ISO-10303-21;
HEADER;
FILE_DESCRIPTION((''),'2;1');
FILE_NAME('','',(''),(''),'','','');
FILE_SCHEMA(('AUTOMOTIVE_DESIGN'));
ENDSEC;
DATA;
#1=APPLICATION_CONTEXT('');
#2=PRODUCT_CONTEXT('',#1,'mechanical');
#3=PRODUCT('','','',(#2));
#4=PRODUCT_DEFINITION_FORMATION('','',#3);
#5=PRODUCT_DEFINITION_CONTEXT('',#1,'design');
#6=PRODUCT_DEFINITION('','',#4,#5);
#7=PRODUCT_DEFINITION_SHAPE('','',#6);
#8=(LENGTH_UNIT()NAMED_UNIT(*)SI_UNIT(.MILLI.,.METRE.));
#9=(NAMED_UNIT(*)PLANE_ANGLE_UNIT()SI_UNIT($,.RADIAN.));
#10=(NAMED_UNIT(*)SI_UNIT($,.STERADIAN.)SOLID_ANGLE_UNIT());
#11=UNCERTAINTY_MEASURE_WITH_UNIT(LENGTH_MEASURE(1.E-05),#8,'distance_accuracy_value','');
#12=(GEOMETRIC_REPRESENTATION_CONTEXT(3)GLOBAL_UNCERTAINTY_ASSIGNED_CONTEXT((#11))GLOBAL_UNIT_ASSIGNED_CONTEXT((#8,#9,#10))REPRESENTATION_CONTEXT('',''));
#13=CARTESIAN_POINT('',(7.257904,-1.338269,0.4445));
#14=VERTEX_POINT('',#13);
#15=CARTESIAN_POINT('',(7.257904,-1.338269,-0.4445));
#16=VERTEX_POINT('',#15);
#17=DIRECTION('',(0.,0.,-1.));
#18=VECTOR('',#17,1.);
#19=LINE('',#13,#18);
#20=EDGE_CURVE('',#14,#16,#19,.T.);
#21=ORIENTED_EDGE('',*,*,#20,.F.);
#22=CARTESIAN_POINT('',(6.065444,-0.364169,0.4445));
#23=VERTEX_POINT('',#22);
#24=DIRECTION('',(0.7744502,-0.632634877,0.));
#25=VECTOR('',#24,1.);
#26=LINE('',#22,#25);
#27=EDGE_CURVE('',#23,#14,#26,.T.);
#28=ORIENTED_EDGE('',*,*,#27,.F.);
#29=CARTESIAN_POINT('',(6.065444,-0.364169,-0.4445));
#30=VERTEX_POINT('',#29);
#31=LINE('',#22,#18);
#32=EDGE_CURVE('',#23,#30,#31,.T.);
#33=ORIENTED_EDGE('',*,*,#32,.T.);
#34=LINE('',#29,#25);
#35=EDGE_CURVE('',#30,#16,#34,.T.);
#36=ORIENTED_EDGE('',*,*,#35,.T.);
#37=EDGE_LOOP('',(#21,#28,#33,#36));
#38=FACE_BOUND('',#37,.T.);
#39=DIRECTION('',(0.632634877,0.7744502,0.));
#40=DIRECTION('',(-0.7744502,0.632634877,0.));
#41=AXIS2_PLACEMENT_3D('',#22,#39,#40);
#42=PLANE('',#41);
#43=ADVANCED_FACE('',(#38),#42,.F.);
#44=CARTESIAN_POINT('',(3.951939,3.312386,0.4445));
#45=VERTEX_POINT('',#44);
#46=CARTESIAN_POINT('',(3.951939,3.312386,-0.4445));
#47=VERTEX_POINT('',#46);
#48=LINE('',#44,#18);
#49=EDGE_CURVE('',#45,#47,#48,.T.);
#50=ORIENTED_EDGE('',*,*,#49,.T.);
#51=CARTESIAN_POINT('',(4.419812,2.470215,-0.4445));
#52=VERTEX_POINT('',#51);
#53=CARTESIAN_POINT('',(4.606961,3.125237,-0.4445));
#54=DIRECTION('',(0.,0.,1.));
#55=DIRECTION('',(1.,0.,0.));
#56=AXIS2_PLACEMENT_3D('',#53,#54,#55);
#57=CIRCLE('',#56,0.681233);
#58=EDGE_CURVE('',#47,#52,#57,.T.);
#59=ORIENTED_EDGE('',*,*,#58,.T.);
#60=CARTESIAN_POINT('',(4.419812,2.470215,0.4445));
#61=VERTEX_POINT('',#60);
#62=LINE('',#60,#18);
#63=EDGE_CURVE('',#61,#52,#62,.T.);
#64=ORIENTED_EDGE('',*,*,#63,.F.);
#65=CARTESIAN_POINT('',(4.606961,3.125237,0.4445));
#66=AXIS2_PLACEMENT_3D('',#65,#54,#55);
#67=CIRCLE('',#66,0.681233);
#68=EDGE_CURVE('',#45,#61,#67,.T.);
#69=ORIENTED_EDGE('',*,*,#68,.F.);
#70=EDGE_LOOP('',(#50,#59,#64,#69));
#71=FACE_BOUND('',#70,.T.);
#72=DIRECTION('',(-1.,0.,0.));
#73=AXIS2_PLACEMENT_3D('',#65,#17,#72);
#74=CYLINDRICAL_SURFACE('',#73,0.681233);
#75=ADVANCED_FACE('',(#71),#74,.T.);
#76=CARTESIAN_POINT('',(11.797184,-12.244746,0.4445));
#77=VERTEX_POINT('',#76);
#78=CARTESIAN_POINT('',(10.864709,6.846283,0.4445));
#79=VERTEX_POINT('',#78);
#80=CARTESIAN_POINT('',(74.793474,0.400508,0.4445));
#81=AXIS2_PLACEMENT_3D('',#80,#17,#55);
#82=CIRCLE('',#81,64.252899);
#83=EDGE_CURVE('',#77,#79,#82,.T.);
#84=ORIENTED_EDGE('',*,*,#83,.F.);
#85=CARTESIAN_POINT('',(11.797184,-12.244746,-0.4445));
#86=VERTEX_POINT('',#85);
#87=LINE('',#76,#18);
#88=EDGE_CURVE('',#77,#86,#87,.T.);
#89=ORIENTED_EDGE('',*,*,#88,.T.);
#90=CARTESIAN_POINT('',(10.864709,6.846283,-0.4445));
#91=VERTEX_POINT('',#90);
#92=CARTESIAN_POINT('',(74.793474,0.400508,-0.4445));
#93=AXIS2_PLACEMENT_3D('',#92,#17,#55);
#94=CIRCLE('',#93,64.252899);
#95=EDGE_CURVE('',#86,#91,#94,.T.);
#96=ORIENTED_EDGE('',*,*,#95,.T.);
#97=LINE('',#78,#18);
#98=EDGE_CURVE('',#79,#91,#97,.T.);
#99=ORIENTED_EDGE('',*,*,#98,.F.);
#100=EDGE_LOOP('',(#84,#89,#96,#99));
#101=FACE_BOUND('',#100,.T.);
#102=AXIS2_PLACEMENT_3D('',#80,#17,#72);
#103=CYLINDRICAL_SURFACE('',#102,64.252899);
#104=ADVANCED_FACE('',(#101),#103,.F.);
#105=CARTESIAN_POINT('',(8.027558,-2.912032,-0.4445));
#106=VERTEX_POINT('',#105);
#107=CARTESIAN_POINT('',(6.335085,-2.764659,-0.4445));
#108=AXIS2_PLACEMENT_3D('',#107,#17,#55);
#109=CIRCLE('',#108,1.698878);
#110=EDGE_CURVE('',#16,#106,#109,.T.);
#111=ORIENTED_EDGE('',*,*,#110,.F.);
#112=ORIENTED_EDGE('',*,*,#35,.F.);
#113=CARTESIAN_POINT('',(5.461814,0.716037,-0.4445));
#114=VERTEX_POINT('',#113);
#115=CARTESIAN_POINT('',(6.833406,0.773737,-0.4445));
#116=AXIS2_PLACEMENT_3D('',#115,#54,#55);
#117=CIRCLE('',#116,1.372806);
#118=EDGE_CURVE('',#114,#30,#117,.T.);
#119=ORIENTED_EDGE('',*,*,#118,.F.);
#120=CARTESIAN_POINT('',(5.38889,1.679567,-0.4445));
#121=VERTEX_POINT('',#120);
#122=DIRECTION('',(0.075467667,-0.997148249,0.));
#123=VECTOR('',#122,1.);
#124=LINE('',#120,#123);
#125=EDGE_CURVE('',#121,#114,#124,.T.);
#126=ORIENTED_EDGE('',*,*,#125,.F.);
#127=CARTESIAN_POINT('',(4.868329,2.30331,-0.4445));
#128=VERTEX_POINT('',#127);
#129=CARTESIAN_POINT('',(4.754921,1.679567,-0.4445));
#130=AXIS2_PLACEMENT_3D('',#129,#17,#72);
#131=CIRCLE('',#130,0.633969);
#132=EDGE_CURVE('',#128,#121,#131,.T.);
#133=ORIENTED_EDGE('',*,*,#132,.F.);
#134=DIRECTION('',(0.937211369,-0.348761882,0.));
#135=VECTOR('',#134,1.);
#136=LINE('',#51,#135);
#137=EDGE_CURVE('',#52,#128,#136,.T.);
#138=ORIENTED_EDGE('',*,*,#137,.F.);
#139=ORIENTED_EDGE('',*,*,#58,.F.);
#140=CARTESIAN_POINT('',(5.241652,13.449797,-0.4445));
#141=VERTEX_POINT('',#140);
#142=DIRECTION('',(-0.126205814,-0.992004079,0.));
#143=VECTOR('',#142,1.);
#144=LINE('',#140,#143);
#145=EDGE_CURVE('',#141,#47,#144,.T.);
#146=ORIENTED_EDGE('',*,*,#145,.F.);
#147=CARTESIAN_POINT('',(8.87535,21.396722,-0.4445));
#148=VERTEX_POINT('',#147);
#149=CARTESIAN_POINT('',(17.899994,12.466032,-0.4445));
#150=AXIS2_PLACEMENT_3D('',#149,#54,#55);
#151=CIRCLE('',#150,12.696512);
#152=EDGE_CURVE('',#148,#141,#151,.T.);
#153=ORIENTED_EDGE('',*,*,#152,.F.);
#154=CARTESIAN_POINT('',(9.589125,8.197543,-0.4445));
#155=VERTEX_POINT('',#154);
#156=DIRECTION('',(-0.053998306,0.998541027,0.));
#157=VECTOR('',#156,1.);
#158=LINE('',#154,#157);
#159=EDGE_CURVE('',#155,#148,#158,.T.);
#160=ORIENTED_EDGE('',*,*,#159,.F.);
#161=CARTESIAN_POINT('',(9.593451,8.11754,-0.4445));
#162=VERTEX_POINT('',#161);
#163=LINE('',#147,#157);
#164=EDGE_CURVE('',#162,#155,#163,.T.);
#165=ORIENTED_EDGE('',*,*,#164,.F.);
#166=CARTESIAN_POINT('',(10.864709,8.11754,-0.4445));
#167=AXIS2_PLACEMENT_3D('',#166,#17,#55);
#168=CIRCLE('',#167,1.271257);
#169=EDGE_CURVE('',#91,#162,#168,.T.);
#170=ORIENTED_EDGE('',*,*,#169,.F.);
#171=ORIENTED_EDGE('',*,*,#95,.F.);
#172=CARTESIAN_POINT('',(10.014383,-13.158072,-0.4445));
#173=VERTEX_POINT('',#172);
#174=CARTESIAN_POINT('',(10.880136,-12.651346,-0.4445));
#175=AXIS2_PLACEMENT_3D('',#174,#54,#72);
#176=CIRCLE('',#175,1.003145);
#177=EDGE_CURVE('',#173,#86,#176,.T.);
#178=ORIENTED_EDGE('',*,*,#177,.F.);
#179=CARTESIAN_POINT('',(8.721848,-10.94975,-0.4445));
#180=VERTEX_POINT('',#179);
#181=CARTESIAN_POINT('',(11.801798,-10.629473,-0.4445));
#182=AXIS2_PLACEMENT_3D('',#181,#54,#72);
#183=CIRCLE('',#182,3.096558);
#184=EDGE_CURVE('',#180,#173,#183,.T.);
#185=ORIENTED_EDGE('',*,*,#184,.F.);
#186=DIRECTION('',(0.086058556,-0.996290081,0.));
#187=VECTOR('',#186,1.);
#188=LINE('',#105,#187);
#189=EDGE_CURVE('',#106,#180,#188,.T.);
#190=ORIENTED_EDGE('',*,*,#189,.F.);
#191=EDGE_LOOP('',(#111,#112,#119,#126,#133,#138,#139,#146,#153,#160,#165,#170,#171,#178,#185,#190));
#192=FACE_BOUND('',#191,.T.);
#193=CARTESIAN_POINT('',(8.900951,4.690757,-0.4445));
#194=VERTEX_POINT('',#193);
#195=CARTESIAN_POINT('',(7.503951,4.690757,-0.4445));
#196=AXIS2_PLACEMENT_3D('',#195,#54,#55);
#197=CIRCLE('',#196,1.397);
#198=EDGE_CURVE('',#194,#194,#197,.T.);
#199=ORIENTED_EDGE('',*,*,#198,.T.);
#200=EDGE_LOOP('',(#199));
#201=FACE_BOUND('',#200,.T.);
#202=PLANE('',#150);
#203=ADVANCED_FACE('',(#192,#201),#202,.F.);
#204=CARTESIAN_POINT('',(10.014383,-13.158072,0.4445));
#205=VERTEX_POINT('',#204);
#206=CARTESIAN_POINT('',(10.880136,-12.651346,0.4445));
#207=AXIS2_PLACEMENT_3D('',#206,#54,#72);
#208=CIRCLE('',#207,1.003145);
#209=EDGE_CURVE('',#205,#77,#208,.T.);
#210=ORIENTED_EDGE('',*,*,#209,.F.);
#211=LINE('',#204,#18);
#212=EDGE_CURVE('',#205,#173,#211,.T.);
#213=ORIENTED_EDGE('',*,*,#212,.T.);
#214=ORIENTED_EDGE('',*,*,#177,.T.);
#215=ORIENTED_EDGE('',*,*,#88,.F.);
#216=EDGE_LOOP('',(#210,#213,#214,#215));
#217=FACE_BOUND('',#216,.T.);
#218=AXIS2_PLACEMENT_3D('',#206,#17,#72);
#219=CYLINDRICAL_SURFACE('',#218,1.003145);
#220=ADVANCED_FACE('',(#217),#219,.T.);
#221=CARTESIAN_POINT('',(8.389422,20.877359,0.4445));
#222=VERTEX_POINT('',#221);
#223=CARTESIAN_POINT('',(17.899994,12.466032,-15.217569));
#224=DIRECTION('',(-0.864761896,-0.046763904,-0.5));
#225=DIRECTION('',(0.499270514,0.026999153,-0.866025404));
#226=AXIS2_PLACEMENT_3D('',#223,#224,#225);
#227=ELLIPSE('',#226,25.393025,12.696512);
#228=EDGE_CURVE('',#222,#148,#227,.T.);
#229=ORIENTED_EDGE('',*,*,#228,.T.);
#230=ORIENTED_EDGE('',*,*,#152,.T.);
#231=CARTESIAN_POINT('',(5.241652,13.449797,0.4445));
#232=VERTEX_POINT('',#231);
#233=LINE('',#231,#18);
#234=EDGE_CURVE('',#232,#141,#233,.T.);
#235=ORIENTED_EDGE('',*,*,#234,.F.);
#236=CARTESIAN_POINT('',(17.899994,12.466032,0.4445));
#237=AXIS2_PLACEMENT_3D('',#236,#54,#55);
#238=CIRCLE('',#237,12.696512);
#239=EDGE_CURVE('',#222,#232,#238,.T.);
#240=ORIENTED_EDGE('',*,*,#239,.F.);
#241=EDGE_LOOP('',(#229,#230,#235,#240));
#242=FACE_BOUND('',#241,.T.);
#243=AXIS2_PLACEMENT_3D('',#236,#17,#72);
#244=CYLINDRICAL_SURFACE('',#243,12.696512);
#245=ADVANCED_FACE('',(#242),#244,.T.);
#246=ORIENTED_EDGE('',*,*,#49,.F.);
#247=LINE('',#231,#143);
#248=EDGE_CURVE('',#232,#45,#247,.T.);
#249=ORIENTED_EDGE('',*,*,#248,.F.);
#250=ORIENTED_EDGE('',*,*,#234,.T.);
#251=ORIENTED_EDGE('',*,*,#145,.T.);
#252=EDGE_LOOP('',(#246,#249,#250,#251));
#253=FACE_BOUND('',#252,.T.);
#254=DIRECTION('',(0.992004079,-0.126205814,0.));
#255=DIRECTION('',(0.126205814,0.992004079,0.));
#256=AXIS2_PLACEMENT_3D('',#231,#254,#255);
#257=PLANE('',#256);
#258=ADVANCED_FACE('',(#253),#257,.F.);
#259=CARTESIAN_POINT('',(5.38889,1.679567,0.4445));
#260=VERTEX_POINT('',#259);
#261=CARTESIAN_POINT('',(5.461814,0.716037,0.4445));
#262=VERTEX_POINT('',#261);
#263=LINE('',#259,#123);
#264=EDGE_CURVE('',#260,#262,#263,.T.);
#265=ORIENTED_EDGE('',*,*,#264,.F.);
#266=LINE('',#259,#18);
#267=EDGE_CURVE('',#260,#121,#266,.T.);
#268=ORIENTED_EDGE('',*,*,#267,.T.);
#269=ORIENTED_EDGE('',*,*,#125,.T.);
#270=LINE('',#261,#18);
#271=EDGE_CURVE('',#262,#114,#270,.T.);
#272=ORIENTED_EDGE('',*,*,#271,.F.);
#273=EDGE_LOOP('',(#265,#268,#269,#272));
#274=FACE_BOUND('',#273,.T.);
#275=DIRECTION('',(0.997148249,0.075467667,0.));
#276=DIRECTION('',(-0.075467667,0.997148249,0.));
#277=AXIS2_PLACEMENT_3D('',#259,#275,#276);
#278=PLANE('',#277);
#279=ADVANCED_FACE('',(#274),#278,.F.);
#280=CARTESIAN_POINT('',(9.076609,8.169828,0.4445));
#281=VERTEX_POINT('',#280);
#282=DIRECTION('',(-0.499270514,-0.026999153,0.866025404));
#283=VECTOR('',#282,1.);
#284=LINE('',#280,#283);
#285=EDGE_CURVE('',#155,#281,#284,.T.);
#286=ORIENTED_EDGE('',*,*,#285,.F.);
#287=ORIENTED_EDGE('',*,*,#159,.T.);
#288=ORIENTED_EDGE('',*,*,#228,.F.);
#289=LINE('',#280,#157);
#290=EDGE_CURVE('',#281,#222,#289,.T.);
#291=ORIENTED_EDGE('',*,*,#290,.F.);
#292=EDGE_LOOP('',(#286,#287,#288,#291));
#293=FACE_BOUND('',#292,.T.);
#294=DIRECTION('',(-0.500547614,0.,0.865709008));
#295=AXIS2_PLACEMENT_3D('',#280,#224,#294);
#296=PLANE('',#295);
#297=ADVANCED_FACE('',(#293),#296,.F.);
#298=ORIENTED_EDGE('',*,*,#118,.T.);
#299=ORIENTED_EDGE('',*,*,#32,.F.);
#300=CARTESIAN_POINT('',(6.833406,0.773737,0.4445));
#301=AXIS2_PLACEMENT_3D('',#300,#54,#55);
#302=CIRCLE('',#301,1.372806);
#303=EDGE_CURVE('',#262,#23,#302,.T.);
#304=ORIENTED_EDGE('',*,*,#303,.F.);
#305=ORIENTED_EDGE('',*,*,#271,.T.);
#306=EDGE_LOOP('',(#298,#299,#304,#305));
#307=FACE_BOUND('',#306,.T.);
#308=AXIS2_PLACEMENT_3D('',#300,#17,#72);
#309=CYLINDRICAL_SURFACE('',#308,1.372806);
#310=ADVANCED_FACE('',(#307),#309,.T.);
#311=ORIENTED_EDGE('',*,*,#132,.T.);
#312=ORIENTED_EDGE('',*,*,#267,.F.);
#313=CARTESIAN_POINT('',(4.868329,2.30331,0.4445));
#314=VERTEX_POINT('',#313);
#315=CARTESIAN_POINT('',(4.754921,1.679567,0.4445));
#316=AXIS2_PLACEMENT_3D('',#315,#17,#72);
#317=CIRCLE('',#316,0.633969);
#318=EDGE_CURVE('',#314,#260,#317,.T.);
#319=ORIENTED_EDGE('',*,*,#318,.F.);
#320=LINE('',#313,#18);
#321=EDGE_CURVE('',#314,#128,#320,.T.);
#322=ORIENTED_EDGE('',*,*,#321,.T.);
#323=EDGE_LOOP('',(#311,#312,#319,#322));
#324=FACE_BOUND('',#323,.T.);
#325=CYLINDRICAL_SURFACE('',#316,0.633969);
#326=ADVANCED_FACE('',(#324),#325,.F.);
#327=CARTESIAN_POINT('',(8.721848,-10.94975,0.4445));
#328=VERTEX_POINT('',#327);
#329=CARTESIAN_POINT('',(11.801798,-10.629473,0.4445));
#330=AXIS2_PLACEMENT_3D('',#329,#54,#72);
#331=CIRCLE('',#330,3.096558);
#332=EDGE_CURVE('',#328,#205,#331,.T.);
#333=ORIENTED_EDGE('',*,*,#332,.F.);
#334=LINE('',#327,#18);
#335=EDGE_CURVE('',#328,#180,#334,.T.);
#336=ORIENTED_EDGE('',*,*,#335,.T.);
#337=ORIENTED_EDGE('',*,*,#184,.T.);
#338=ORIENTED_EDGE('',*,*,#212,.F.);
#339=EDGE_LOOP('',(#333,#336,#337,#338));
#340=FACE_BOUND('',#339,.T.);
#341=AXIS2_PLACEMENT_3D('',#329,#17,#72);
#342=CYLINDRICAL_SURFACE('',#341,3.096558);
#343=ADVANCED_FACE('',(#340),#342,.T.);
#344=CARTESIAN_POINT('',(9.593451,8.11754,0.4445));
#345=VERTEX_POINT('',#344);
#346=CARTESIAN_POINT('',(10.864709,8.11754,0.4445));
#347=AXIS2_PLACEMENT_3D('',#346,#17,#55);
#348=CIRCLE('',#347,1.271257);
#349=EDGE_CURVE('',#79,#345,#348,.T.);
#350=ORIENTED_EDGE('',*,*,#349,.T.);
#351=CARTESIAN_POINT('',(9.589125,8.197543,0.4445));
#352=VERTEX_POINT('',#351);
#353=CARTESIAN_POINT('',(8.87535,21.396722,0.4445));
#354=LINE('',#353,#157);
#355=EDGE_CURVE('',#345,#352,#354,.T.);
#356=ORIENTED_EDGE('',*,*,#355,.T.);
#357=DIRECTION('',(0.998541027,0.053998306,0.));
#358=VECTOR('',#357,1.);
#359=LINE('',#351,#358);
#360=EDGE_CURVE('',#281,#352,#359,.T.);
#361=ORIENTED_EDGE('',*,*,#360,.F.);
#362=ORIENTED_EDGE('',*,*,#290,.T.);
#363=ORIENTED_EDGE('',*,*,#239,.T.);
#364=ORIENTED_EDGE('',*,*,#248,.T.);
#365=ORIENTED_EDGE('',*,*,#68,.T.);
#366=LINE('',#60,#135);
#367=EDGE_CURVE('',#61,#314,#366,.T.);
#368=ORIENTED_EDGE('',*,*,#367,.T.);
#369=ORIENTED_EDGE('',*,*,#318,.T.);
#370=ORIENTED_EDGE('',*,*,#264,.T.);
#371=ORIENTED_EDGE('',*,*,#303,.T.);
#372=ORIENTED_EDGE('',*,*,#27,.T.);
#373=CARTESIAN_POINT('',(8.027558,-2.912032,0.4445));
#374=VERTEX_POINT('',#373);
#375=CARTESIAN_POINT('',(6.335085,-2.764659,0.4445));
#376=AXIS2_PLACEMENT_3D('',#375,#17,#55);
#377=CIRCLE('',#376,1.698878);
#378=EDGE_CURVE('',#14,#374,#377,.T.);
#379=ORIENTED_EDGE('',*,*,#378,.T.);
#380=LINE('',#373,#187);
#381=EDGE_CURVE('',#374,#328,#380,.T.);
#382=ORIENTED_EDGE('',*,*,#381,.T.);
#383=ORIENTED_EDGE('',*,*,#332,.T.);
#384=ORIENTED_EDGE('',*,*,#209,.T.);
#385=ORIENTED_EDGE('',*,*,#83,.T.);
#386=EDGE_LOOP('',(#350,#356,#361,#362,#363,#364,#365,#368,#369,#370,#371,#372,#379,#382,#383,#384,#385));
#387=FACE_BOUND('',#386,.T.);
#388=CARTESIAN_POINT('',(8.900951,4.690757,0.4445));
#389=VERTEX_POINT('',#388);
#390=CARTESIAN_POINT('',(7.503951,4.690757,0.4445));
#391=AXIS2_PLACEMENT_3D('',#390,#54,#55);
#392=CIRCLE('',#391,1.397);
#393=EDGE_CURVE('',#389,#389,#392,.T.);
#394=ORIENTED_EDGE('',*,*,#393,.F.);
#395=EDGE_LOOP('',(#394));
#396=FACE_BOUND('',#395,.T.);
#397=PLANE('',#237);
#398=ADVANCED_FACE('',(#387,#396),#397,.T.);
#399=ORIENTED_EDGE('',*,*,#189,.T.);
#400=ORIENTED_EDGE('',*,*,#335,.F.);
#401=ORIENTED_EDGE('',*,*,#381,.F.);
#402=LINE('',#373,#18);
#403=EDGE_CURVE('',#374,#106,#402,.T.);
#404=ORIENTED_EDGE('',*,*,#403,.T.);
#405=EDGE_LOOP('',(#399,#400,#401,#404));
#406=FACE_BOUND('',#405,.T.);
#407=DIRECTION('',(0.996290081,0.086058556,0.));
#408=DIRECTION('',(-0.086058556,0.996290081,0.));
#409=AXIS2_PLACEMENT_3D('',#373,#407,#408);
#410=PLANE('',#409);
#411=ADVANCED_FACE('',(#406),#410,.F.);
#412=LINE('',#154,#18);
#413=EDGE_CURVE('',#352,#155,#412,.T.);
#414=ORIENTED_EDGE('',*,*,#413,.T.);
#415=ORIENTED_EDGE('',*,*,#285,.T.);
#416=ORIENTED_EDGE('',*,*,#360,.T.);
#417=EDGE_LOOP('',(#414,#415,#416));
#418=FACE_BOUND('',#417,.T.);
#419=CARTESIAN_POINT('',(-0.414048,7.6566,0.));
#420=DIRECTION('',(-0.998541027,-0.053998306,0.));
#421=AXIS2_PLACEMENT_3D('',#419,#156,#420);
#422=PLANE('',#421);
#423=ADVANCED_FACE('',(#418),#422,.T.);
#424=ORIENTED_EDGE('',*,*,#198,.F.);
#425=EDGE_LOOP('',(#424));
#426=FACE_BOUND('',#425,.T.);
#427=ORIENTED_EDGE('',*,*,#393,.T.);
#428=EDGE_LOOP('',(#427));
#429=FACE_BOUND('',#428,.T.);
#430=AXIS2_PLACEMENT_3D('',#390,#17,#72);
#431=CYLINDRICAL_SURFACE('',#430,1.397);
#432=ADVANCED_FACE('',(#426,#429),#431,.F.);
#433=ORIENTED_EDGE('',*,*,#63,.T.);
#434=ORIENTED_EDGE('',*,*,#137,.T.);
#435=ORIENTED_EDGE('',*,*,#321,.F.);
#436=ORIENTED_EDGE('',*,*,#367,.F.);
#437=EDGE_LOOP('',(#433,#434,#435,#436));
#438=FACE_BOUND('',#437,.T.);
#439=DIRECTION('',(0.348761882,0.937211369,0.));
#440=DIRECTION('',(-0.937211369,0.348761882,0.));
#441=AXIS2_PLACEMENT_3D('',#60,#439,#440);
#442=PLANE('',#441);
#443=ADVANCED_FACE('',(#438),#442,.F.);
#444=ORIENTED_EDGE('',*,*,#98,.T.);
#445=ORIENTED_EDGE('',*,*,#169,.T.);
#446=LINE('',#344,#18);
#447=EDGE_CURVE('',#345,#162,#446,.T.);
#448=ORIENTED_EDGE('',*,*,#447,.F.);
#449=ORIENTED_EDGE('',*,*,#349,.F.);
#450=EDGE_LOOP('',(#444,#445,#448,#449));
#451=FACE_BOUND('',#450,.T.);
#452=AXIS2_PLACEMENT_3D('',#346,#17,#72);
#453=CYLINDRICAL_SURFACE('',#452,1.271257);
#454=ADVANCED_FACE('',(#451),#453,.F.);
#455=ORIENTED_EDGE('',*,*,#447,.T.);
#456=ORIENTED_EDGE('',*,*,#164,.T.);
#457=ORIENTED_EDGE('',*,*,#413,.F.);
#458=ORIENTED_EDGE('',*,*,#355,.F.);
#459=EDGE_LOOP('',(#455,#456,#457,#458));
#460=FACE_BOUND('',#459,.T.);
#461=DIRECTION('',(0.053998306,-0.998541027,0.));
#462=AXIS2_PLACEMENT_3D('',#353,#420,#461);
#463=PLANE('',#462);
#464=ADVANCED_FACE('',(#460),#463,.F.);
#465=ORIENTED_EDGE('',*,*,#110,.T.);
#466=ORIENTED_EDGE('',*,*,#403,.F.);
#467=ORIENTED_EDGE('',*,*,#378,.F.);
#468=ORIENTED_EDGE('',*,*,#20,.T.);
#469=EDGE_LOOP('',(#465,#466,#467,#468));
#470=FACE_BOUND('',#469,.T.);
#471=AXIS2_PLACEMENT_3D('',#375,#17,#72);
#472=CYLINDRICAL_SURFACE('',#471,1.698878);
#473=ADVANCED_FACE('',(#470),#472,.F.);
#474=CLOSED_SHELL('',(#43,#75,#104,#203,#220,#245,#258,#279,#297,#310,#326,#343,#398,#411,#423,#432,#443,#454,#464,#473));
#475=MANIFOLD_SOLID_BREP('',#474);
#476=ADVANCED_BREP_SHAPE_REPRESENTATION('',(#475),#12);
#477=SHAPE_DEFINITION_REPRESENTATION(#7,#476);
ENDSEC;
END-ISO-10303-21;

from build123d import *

# Parameters (mm, degrees)
SKETCH1_R           = 1.397
BOSS_EXTRUDE1_DEPTH = 0.4445
CUT_EXTRUDE4_DEPTH  = 16.51


with BuildPart() as part:
    # Sketch1 → Boss-Extrude1 (new body, symmetric)
    with BuildSketch(Plane.XY):
        with BuildLine():
            Line((8.875350221, 21.396721542), (9.593451212, 8.117540032))
            ThreePointArc((9.593451212, 8.117540032), (9.965793887, 7.218625297), (10.864708622, 6.846282623))
            ThreePointArc((10.864708622, 6.846282623), (10.617082025, -2.734099475), (11.797183673, -12.24474615))
            ThreePointArc((11.797183673, -12.24474615), (11.337518417, -13.544150853), (10.014382728, -13.158072262))
            ThreePointArc((10.014382728, -13.158072262), (9.129349257, -12.193661404), (8.721848155, -10.949750073))
            Line((8.721848155, -10.949750073), (8.027558013, -2.912032354))
            ThreePointArc((8.027558013, -2.912032354), (7.861230576, -2.018292431), (7.257903508, -1.338268672))
            Line((7.257903508, -1.338268672), (6.065443849, -0.36416915))
            ThreePointArc((6.065443849, -0.36416915), (5.635017487, 0.104064915), (5.461813548, 0.716037454))
            Line((5.461813548, 0.716037454), (5.388890296, 1.679566547))
            ThreePointArc((5.388890296, 1.679566547), (5.241652075, 2.085780608), (4.868329056, 2.303309644))
            Line((4.868329056, 2.303309644), (4.419812025, 2.47021505))
            ThreePointArc((4.419812025, 2.47021505), (4.011456456, 2.79440081), (3.951939413, 3.312385751))
            Line((3.951939413, 3.312385751), (5.241652075, 13.449796826))
            ThreePointArc((5.241652075, 13.449796826), (6.353290153, 17.745713967), (8.875350221, 21.396721542))
        make_face()
        with Locations((7.503950751, 4.690757252)):
            Circle(SKETCH1_R, mode=Mode.SUBTRACT)
    extrude(amount=BOSS_EXTRUDE1_DEPTH, both=True)

    # Sketch2 → Cut-Extrude4 (cut)
    with BuildSketch(Plane(origin=(-1.305559533, 24.142512274, 0), x_dir=(0.998541027, 0.053998306, 0), z_dir=(-0.053998306, 0.998541027, 0))):
        Polygon((10.017788036, 0.4445), (10.017788036, -0.4445), (9.504523646, -0.4445), align=None)
    extrude(amount=-CUT_EXTRUDE4_DEPTH, mode=Mode.SUBTRACT)


solid = part.part
